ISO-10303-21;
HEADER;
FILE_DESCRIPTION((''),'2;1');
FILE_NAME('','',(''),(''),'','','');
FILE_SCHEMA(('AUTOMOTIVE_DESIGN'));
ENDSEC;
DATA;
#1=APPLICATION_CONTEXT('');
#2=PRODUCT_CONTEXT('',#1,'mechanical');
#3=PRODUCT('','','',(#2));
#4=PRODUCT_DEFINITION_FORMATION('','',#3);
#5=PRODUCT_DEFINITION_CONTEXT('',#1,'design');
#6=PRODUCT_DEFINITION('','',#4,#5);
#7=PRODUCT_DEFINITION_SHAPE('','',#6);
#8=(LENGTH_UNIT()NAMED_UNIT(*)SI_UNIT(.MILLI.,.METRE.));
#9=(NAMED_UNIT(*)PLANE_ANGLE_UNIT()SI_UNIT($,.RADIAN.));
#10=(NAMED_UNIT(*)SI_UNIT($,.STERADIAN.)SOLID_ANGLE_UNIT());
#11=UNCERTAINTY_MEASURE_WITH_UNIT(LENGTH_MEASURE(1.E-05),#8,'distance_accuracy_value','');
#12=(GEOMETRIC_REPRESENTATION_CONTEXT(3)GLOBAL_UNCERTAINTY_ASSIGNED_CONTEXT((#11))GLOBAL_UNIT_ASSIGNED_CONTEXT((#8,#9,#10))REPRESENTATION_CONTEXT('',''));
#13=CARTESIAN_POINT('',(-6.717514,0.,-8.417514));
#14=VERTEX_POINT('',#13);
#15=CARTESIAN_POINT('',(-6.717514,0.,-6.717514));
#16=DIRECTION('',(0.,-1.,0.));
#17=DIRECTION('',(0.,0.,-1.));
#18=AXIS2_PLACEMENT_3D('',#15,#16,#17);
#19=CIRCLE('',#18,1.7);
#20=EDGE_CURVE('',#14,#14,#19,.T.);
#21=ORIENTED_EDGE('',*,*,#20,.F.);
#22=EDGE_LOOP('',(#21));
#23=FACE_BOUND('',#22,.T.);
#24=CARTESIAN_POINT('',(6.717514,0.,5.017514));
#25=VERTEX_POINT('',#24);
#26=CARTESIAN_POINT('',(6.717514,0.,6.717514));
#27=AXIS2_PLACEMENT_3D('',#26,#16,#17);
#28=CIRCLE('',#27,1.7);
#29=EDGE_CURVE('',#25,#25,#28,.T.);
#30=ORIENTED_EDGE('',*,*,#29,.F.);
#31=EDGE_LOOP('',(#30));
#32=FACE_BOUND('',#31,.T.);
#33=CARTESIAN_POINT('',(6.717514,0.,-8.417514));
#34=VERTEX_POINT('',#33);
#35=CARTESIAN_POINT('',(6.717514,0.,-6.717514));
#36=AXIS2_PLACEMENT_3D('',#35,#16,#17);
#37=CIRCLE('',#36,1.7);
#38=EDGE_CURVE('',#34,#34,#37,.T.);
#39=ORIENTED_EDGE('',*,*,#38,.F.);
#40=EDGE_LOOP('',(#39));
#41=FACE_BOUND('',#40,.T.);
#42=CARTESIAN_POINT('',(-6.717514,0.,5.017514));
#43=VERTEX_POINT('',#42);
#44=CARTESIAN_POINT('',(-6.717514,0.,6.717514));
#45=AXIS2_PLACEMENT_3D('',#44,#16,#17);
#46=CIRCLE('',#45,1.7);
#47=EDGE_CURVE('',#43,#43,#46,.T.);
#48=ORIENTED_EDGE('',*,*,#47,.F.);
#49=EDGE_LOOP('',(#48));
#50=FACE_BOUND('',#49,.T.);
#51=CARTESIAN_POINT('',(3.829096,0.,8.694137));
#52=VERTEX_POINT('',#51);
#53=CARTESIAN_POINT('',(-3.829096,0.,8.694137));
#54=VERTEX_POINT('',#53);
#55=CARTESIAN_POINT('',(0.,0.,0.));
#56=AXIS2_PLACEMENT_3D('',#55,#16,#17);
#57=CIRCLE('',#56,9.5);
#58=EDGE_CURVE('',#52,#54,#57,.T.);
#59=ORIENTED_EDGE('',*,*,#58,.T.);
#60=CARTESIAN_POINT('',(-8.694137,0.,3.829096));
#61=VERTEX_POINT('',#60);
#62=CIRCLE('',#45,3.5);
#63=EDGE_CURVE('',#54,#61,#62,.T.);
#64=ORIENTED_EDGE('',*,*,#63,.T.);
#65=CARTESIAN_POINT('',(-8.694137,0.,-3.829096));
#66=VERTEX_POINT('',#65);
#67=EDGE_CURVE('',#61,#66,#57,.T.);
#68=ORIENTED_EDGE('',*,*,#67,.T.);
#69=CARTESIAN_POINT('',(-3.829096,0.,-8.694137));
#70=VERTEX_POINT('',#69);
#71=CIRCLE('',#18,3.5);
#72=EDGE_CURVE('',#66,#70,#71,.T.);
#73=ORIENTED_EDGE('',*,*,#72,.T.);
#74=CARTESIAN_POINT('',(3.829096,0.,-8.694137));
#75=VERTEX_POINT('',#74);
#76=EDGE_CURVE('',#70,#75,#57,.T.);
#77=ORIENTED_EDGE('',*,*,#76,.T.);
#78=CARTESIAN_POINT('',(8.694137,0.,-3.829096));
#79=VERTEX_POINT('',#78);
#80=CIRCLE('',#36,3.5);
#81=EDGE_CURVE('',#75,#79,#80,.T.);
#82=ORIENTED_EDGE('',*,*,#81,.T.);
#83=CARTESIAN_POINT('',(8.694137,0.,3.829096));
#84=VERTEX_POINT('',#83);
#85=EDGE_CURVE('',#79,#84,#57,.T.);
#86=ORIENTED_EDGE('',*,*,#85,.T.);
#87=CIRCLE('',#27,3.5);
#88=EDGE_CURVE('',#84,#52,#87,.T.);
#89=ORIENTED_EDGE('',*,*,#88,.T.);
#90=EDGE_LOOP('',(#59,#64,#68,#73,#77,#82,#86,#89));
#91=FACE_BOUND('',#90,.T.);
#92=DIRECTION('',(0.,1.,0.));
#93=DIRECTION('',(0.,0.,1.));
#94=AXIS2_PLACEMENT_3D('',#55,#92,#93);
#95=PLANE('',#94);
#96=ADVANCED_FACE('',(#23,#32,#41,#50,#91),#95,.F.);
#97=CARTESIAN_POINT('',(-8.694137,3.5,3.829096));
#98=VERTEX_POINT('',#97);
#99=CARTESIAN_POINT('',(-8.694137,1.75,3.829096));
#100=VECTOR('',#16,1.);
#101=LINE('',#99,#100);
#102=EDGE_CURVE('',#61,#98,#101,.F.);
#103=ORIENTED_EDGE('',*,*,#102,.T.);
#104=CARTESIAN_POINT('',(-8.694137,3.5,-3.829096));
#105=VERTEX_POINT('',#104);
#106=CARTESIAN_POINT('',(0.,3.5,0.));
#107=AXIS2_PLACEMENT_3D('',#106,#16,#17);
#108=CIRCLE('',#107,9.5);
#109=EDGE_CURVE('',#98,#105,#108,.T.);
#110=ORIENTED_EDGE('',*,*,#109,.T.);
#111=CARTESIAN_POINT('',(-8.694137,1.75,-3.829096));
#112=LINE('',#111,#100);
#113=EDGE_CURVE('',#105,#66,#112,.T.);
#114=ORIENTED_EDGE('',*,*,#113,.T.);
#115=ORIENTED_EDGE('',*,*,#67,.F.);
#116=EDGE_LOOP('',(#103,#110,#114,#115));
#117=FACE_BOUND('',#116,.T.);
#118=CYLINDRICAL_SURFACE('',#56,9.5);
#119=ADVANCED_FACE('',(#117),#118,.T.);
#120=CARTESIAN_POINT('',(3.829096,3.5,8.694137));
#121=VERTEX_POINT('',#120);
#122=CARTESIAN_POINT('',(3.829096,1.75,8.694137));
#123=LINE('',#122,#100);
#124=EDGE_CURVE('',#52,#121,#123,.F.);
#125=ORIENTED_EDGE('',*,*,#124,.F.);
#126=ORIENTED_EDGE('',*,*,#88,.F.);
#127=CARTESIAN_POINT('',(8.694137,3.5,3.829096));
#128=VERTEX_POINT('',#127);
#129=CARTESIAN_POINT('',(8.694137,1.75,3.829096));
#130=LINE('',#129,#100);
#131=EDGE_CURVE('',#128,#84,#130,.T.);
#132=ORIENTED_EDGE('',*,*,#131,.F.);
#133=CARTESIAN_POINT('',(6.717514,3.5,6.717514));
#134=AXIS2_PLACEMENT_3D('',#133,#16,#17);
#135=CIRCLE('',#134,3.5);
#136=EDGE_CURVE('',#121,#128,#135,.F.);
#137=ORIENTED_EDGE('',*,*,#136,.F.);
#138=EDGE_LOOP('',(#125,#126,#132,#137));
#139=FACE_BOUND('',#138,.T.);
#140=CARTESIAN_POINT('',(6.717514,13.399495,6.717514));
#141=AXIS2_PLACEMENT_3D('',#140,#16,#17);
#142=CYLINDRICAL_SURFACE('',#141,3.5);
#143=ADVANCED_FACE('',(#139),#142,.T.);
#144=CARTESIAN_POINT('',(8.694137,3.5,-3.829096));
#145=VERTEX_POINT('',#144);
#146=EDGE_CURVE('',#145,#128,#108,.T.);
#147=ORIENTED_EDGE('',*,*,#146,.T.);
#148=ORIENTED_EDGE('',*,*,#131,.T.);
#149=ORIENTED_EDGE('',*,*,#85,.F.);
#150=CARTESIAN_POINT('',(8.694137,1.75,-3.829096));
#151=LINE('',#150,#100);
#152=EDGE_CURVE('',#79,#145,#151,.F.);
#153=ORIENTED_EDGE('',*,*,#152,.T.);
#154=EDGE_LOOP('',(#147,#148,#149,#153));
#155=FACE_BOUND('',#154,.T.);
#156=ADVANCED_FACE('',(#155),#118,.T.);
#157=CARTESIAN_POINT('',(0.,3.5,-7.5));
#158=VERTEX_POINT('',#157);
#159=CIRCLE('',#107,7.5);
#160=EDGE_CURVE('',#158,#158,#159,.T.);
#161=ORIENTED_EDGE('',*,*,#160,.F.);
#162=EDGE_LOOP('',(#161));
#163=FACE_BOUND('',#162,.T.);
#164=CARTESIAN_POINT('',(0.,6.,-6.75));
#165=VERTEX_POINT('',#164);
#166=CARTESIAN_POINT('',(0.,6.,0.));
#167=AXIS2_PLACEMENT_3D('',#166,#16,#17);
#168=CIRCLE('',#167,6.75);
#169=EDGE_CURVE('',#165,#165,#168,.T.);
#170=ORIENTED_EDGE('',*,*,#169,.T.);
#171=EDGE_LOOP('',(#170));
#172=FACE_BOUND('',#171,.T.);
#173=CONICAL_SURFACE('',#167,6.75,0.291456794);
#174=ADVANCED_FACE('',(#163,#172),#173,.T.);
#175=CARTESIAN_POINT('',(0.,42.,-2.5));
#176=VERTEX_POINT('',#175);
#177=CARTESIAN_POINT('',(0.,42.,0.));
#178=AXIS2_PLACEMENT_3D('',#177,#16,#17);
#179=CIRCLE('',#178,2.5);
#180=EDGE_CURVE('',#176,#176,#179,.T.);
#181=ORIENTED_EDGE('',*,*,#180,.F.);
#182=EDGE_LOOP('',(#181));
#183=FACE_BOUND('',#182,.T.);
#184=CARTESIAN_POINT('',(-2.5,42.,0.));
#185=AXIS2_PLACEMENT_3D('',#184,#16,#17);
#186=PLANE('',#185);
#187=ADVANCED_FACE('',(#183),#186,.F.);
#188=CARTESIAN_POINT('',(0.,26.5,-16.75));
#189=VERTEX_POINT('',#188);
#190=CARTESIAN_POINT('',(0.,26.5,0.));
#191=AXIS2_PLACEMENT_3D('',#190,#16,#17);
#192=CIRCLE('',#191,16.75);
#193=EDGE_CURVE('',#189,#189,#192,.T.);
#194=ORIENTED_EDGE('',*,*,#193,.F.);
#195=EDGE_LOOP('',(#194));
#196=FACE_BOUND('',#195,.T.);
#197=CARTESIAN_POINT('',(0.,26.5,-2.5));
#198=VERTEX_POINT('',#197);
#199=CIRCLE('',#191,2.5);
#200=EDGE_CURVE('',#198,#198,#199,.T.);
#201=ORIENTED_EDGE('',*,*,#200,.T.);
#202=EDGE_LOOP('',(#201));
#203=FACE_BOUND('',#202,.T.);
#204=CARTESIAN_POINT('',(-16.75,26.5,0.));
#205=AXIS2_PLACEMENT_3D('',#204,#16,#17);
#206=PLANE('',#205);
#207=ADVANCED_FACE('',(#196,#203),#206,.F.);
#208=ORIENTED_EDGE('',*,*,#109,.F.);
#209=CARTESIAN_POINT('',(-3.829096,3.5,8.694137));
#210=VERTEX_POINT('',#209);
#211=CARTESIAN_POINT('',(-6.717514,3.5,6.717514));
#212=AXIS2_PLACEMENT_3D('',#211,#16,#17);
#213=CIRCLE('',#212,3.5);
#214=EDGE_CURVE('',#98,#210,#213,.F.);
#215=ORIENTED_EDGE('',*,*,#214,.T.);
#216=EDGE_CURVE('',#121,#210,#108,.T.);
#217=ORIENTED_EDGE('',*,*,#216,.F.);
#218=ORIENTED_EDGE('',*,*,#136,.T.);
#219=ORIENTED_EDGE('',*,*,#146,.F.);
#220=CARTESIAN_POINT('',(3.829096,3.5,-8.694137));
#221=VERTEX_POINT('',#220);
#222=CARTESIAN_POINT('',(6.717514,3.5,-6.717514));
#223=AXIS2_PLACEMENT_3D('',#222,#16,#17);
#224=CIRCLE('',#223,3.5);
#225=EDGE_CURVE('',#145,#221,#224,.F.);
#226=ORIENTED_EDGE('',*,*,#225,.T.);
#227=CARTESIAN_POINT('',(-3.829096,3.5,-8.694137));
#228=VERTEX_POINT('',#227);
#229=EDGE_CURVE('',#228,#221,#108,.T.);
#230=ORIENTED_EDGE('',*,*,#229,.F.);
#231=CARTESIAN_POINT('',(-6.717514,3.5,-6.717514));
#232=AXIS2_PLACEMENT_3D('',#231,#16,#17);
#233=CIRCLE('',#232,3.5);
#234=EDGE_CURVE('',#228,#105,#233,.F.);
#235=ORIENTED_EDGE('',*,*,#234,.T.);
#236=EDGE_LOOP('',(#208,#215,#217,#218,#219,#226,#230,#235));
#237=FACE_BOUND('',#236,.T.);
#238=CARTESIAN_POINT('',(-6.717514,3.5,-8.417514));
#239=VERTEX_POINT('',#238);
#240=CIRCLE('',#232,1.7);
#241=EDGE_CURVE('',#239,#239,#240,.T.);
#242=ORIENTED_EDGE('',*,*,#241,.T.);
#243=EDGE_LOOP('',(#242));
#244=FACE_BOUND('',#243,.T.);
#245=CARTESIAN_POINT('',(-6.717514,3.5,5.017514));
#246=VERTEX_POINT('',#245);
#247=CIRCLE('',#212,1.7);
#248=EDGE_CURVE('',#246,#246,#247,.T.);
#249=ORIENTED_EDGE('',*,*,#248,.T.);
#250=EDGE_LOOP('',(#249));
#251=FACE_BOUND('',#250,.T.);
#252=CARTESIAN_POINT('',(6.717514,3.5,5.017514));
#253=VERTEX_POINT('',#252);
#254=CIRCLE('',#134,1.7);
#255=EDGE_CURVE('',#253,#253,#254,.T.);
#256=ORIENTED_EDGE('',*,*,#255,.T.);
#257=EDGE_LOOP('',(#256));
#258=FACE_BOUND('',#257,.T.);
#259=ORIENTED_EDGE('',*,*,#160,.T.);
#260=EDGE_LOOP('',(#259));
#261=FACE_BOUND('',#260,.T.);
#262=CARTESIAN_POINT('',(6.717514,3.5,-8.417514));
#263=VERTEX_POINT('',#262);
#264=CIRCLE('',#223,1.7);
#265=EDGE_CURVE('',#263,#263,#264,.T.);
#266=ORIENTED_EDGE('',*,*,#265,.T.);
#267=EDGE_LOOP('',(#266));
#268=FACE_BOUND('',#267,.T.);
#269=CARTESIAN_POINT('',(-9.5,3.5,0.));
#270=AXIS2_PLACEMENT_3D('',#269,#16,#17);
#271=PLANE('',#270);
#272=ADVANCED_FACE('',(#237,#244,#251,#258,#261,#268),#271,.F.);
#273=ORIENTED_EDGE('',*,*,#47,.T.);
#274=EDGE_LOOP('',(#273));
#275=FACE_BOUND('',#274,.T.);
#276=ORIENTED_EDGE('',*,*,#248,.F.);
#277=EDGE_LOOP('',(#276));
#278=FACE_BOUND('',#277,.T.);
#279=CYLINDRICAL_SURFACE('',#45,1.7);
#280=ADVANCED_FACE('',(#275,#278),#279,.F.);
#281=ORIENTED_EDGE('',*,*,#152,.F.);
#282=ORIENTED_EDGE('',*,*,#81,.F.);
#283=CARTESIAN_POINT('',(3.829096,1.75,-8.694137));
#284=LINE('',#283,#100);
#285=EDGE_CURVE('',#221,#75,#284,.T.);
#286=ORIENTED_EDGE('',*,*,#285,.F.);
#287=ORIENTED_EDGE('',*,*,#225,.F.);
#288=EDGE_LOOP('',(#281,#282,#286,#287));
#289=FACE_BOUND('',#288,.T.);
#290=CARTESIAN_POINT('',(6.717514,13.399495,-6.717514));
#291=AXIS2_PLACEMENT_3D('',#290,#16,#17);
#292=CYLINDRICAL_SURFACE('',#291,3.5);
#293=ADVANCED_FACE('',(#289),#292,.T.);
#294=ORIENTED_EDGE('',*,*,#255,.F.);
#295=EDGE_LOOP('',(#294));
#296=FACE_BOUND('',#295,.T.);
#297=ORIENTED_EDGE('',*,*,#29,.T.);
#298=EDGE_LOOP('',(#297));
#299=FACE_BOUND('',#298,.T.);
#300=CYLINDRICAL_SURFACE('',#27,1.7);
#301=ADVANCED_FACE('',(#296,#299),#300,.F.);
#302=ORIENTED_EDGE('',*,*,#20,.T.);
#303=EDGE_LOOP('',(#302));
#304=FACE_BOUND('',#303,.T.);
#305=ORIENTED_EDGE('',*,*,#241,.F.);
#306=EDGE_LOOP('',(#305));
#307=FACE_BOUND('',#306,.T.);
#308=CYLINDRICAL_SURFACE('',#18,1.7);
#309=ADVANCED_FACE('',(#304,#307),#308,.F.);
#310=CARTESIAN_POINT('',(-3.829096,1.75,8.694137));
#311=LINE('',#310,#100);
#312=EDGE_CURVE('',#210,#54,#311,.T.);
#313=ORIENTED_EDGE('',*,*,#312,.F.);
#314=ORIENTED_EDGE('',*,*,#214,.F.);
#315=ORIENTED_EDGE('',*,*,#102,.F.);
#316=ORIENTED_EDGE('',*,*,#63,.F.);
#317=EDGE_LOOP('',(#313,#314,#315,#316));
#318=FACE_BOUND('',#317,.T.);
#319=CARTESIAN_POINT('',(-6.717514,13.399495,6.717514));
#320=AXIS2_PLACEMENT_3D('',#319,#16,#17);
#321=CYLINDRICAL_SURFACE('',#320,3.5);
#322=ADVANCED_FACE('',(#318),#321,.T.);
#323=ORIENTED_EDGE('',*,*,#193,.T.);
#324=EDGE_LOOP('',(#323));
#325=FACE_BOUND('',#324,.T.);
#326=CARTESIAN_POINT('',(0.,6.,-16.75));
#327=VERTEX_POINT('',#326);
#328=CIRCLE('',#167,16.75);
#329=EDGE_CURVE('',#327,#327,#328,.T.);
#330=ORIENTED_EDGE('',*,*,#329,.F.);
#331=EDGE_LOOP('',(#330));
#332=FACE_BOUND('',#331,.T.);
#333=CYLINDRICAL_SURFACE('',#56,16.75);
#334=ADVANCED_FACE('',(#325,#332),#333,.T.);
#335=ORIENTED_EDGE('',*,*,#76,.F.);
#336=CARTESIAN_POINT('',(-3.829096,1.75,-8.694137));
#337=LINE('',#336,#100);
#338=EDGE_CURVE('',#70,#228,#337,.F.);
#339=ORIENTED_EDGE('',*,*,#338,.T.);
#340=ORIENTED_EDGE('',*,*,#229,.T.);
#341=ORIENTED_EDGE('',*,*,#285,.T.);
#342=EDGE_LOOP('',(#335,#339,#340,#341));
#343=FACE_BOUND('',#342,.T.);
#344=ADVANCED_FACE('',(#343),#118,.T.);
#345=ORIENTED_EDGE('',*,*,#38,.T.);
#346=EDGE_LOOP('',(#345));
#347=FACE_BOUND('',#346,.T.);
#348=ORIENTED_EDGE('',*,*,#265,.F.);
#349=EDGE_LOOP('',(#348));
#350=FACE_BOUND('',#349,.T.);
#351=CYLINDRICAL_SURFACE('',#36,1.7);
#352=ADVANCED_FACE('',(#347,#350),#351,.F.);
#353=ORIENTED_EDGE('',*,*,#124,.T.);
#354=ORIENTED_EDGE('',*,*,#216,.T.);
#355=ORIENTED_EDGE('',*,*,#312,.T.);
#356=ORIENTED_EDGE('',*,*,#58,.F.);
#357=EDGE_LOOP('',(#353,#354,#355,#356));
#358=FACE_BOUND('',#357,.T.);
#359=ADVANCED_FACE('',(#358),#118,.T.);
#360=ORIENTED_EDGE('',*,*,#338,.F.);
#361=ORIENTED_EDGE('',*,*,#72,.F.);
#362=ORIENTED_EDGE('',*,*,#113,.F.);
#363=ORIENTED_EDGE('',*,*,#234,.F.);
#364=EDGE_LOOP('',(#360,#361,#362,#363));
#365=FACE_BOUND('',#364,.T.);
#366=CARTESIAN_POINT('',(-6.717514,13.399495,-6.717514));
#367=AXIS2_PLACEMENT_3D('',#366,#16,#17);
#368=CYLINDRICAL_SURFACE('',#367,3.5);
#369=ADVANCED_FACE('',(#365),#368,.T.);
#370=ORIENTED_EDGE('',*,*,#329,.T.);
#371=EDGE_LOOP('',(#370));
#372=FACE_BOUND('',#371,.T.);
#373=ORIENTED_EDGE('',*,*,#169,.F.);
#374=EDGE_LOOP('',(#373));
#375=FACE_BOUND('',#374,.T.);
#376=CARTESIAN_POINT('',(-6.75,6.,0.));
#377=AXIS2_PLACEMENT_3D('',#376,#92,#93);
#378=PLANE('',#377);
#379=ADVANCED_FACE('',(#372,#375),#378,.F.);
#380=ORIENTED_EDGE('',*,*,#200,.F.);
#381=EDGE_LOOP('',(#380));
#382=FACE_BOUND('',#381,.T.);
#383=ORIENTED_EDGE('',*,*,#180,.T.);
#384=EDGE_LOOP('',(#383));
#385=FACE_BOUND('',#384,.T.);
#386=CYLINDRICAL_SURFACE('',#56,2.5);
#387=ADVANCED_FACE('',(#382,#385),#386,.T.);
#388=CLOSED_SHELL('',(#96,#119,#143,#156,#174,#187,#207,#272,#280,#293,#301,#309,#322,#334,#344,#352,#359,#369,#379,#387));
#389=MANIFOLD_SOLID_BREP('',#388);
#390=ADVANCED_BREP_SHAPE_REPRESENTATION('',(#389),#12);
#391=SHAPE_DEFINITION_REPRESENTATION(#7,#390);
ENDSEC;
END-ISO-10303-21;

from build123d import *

# Parameters (mm, degrees)
ESQUISSE2_R          = 3.5
BOSS_EXTRU_1_DEPTH   = 3.5
D_GAGEMENT_M31_D     = 3.4
D_GAGEMENT_M31_DEPTH = 3.5


with BuildPart() as part:
    # Esquisse1 → Révolution1 (revolve)
    with BuildSketch(Plane.XY, mode=Mode.PRIVATE) as r_volution1_sk:
        Polygon((0, 0), (-9.5, 0), (-9.5, 3.5), (-7.5, 3.5), (-6.75, 6), (-16.75, 6), (-16.75, 26.5), (-2.5, 26.5), (-2.5, 42), (0, 42), align=None)
    revolve(r_volution1_sk.sketch.rotate(Axis((0, 0, 0), (0, 1, 0)), 270), axis=Axis((0, 0, 0), (0, 1, 0)))

    # Esquisse2 → Boss.-Extru.1 (add)
    with BuildSketch(Plane(origin=(0, 0, 0), x_dir=(-1, 0, 0), z_dir=(0, -1, 0))):
        with Locations((6.717514421, -6.717514421)):
            Circle(ESQUISSE2_R)
        with Locations((-6.717514421, -6.717514421)):
            Circle(ESQUISSE2_R)
        with Locations((-6.717514421, 6.717514421)):
            Circle(ESQUISSE2_R)
        with Locations((6.717514421, 6.717514421)):
            Circle(ESQUISSE2_R)
    extrude(amount=-BOSS_EXTRU_1_DEPTH)

    # Dégagement M31
    with Locations(Plane(origin=(-6.717514421, 0, 6.717514421), x_dir=(0, 0, -1), z_dir=(0, -1, 0))):
        with Locations((0, 0), (0, 13.435028842), (13.435028842, 13.435028842), (13.435028842, 0)):
            Hole(D_GAGEMENT_M31_D / 2, depth=D_GAGEMENT_M31_DEPTH)


solid = part.part
